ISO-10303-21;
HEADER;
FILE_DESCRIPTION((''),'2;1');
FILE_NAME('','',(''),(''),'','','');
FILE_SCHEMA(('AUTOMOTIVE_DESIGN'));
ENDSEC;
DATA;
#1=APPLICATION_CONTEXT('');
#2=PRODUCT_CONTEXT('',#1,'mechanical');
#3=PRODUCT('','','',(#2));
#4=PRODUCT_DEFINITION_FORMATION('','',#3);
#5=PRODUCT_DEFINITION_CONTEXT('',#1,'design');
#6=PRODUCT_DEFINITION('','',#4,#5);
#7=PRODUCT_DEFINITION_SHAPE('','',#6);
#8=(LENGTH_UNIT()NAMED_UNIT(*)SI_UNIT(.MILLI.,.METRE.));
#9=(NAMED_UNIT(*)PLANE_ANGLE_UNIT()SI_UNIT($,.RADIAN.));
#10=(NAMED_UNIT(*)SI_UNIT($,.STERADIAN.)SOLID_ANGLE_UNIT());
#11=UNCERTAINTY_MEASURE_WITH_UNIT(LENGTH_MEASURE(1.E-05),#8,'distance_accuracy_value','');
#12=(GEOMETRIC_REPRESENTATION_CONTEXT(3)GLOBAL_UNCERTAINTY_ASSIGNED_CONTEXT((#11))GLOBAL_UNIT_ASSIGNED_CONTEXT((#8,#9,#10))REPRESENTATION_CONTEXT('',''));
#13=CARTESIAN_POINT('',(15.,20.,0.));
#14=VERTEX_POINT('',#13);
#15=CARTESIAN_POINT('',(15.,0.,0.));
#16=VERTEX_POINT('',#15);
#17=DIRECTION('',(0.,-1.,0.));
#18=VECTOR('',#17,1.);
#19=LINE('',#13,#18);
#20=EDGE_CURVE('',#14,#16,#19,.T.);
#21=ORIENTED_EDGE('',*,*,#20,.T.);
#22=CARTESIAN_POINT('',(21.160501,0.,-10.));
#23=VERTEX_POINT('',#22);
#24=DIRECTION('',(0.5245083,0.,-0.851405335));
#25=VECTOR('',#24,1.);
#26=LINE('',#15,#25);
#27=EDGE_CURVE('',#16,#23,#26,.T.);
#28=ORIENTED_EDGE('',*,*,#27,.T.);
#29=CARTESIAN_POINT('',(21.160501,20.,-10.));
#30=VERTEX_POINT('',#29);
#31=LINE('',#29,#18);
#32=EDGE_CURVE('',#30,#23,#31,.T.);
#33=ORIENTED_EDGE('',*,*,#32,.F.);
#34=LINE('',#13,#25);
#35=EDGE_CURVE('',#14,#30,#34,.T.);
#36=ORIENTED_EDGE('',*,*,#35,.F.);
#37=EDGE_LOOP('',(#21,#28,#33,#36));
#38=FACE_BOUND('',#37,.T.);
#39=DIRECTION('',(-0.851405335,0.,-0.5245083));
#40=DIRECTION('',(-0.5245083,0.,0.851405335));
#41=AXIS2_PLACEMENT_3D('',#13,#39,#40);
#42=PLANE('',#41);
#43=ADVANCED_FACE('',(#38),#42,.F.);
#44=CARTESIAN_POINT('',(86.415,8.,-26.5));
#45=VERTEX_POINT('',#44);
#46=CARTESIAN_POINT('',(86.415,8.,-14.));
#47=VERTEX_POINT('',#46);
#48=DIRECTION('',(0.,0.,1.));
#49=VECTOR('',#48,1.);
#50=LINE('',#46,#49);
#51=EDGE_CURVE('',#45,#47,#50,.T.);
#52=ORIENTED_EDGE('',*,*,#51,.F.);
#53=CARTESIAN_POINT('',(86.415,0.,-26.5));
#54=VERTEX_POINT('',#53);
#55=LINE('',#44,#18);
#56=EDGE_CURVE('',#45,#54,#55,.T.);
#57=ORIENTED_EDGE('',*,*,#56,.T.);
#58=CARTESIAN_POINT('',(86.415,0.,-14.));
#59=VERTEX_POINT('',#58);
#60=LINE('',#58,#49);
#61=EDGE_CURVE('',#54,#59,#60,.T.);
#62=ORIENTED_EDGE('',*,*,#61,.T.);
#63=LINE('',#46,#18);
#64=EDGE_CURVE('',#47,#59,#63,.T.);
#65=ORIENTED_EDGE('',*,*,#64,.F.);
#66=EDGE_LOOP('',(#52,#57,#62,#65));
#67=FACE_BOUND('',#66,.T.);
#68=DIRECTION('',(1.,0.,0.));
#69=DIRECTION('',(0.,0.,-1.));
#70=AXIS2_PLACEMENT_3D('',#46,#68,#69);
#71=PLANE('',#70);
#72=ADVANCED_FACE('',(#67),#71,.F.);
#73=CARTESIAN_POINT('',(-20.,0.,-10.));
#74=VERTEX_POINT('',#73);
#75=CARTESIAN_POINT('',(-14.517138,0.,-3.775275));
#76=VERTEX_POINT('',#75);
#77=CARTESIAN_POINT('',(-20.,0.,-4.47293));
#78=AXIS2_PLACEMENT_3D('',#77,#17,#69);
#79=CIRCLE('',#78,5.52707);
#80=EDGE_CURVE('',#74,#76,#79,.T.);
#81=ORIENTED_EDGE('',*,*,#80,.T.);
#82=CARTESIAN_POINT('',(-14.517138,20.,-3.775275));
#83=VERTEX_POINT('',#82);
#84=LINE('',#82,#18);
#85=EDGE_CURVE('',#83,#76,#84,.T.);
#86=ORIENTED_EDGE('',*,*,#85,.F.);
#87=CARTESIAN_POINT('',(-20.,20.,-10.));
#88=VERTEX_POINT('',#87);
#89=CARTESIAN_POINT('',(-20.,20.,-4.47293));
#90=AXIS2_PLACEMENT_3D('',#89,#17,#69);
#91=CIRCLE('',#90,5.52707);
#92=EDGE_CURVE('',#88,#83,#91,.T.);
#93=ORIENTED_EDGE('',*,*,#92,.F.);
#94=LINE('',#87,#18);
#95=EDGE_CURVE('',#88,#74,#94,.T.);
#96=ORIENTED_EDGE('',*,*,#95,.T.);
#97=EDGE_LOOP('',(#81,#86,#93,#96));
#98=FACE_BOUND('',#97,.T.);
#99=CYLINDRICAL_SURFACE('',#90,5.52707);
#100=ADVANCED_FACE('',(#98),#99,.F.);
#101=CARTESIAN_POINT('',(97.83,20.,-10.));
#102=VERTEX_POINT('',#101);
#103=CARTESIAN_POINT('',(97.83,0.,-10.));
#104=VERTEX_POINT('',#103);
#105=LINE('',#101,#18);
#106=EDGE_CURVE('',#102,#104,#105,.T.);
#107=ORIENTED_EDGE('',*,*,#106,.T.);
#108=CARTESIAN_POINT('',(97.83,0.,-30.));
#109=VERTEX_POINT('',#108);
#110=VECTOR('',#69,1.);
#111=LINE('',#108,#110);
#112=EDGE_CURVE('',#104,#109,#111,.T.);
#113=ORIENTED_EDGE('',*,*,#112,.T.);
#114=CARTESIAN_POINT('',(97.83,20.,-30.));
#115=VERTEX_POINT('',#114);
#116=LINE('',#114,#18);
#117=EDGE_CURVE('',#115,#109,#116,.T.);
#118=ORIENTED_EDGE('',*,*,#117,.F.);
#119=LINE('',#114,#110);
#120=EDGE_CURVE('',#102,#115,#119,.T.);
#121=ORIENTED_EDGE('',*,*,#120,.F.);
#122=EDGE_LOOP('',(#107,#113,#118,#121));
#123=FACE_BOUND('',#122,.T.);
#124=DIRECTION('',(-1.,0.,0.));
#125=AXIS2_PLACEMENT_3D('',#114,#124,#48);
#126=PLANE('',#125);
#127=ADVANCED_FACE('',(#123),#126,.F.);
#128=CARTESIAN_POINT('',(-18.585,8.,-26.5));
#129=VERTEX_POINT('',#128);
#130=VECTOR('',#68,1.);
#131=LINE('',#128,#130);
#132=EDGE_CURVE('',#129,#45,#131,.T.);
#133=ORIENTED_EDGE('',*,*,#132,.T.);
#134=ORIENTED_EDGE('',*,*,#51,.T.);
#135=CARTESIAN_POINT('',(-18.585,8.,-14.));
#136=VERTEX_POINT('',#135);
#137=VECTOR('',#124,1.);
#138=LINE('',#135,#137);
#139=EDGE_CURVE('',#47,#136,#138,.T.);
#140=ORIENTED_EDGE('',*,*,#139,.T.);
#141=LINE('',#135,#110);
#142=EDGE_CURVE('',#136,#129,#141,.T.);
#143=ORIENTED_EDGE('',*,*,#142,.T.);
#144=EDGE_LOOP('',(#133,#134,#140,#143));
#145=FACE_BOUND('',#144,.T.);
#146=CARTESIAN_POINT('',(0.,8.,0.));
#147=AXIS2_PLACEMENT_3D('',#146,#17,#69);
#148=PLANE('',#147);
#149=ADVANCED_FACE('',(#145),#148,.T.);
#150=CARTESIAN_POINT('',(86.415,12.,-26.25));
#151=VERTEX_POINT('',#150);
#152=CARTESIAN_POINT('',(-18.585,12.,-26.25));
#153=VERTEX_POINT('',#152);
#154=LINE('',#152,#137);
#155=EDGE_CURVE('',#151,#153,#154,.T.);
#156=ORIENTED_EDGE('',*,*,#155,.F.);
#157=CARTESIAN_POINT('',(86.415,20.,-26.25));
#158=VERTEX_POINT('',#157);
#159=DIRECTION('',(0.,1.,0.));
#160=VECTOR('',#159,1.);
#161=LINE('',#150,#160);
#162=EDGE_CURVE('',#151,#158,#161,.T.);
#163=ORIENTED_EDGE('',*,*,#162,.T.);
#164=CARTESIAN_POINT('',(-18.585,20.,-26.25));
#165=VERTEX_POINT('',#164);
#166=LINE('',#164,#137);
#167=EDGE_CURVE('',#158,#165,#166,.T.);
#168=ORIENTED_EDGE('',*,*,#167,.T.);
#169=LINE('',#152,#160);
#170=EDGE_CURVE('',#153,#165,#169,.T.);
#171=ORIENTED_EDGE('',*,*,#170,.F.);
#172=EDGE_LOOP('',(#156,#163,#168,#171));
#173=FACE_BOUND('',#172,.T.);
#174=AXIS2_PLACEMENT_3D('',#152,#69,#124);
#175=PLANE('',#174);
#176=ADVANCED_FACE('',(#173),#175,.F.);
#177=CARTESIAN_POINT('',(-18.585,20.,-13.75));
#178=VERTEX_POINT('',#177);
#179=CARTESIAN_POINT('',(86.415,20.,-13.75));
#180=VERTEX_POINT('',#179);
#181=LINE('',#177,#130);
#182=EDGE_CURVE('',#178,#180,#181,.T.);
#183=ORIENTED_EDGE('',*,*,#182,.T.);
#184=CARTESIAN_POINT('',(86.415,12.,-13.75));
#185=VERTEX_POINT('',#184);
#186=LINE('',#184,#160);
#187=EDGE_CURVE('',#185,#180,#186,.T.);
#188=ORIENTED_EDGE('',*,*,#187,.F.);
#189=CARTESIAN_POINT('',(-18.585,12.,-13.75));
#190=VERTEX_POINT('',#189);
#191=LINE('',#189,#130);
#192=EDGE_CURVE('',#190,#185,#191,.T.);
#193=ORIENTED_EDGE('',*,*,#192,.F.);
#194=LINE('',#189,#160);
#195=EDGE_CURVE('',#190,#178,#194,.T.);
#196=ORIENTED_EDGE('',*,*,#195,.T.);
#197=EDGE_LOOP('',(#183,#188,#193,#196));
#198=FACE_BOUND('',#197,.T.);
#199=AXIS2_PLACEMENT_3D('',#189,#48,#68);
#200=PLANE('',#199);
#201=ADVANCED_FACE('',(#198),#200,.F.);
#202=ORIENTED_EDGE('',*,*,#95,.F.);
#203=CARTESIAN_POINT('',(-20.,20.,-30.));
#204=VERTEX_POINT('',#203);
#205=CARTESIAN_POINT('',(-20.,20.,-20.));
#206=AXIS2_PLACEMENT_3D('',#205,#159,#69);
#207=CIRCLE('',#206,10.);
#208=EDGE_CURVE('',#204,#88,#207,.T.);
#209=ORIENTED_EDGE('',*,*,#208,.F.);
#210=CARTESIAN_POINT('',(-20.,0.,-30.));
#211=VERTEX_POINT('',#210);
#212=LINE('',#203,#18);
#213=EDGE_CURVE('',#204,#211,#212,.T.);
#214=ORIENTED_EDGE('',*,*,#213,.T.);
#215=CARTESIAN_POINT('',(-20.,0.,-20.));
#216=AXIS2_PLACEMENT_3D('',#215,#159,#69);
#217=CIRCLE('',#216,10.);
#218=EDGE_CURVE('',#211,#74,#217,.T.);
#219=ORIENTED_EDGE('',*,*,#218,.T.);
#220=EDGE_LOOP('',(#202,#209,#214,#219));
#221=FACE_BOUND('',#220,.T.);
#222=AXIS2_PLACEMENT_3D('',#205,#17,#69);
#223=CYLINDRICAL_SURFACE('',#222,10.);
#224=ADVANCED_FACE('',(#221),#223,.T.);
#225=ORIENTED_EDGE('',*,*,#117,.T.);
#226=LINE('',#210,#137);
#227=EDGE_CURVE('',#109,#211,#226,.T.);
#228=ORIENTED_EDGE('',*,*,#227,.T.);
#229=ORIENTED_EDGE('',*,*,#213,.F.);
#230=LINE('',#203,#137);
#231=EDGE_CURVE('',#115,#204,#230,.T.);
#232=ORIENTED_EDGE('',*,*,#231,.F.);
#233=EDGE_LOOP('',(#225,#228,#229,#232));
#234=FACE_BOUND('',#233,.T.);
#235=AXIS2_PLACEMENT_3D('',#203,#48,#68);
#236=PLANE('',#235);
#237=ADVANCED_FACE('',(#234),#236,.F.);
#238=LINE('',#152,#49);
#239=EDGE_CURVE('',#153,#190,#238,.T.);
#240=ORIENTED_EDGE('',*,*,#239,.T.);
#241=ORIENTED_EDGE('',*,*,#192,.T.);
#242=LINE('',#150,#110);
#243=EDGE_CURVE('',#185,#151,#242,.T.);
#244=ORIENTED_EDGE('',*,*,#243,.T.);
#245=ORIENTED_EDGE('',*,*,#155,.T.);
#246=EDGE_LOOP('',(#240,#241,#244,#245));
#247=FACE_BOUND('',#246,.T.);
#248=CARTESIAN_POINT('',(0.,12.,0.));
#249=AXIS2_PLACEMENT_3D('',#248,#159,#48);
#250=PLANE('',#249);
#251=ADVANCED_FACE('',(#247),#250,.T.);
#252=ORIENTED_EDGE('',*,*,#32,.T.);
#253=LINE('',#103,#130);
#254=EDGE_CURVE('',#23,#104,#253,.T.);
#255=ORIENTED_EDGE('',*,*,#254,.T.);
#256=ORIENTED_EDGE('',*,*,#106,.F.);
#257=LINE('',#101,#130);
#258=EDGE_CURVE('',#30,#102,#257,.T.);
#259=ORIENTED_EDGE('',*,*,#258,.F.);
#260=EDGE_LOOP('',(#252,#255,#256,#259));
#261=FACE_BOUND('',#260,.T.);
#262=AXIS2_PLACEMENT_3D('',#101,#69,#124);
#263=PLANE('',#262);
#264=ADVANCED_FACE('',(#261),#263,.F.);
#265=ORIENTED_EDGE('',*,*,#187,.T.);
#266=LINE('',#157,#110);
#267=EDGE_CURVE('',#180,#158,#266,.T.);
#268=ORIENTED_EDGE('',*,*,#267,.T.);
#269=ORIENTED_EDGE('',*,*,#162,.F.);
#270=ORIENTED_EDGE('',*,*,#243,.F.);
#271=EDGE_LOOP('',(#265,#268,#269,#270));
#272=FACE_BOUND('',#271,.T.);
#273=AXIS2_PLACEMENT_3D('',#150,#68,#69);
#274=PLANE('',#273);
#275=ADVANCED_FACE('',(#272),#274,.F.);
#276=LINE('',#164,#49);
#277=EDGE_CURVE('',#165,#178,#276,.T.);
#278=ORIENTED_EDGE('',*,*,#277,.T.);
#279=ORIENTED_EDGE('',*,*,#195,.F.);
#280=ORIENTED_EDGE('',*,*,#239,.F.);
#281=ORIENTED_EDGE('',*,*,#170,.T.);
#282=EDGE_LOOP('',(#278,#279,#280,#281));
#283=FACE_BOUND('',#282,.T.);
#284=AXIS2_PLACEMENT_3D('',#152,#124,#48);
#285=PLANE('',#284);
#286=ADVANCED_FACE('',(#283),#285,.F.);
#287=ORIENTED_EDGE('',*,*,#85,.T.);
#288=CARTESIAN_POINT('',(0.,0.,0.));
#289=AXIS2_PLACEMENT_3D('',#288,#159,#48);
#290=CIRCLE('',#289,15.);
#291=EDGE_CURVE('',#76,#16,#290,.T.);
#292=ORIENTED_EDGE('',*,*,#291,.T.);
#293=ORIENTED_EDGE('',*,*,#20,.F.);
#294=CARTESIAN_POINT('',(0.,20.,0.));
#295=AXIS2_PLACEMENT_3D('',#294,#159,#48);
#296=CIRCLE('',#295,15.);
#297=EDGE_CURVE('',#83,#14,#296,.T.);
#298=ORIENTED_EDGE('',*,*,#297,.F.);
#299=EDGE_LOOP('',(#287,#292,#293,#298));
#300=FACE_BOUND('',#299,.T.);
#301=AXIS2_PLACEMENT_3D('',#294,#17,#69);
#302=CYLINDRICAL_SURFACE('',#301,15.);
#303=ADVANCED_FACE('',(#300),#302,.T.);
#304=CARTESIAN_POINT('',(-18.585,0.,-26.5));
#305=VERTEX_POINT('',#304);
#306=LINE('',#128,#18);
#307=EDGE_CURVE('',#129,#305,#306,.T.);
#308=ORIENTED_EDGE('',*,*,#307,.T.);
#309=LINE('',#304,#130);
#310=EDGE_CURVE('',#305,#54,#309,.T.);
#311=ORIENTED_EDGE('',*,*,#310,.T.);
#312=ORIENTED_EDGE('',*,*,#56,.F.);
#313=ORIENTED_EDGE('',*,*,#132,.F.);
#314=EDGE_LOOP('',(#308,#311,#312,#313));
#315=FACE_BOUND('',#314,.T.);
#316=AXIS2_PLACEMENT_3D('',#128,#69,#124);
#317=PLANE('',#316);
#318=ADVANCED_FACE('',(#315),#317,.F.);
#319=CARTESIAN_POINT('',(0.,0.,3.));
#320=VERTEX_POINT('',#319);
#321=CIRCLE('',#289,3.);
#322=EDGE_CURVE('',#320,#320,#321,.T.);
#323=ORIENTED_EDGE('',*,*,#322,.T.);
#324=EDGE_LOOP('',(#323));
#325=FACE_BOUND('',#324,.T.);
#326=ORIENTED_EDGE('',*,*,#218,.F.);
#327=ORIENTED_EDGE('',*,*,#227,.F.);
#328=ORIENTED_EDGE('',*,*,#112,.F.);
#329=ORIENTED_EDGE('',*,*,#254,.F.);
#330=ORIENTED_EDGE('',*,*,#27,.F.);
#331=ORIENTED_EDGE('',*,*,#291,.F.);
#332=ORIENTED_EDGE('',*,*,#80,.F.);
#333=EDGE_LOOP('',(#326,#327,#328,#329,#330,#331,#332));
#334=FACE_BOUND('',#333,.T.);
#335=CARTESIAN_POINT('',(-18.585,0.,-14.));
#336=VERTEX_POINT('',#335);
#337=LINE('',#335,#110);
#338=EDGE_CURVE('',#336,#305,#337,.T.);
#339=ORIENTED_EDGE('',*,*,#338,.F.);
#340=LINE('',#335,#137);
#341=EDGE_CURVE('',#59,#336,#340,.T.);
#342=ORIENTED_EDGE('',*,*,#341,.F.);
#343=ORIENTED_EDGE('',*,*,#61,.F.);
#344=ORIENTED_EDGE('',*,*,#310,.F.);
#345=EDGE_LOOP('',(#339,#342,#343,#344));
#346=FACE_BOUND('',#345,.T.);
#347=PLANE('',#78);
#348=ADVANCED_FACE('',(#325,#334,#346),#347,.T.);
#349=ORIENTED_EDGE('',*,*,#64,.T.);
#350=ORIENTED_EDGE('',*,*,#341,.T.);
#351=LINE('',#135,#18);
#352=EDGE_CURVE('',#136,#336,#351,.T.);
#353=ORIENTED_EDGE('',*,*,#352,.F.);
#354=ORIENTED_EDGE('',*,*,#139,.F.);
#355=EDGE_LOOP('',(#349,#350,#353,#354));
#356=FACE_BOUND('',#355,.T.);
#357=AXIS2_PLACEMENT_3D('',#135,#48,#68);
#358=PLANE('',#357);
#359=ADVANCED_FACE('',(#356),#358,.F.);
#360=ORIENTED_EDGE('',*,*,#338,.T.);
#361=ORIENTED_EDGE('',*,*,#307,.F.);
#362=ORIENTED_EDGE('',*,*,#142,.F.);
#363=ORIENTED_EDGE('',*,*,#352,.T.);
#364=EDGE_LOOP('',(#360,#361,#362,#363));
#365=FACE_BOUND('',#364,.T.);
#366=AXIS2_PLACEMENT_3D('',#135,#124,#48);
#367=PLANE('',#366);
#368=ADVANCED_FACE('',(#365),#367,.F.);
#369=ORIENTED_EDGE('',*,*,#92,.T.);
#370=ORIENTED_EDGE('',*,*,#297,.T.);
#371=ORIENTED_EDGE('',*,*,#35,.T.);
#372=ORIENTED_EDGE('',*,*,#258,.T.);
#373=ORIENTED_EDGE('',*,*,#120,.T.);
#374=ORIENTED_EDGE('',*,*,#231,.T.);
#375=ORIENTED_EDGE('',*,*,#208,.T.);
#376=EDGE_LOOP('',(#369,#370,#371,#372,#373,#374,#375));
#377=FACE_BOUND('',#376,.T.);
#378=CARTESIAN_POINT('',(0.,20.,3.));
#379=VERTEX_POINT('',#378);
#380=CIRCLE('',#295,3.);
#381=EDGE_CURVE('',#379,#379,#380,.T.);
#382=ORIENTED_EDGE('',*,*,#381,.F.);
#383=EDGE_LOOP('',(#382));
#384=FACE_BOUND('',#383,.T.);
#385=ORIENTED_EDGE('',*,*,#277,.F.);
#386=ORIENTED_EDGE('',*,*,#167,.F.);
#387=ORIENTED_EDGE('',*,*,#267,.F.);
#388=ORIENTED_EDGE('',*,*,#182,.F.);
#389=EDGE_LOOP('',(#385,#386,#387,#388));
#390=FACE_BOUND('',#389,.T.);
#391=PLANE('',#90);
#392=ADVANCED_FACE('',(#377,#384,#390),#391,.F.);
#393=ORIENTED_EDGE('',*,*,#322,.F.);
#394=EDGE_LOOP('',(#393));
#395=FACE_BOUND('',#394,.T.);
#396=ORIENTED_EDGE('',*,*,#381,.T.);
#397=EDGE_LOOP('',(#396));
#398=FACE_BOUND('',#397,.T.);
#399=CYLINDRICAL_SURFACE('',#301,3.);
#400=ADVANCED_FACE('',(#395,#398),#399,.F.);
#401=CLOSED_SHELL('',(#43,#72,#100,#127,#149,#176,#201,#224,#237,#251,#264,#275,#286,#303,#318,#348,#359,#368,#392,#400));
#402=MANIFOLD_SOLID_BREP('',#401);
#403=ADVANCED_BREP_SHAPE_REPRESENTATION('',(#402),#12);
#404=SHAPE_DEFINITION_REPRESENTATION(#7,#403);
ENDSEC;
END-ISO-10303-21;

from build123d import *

# Parameters (mm, degrees)
SKETCH1_R           = 3
BOSS_EXTRUDE1_DEPTH = 20
SKETCH8_W           = 105
SKETCH8_H           = 12.5
CUT_EXTRUDE7_DEPTH  = 8
SKETCH9_W           = 105
SKETCH9_H           = 12.5
CUT_EXTRUDE8_DEPTH  = 8


with BuildPart() as part:
    # Sketch1 → Boss-Extrude1 (new body)
    with BuildSketch(Plane(origin=(0, 0, 0), x_dir=(1, 0, 0), z_dir=(0, 1, 0))):
        with BuildLine():
            Line((-20, 30), (97.83, 30))
            Line((97.83, 30), (97.83, 10))
            Line((97.83, 10), (21.160500507, 10))
            Line((21.160500507, 10), (15, 0))
            ThreePointArc((15, 0), (-1.903014387, -14.878794852), (-14.517138166, 3.775274755))
            ThreePointArc((-14.517138166, 3.775274755), (-15.852441132, 8.126182851), (-20, 10))
            ThreePointArc((-20, 10), (-30, 20), (-20, 30))
        make_face()
        Circle(SKETCH1_R, mode=Mode.SUBTRACT)
    extrude(amount=BOSS_EXTRUDE1_DEPTH)

    # Sketch8 → Cut-Extrude7 (cut)
    with BuildSketch(Plane.XZ):
        with Locations((33.915, -20.25)):
            Rectangle(SKETCH8_W, SKETCH8_H)
    extrude(amount=-CUT_EXTRUDE7_DEPTH, mode=Mode.SUBTRACT)

    # Sketch9 → Cut-Extrude8 (cut)
    with BuildSketch(Plane(origin=(0, 20, 0), x_dir=(1, 0, 0), z_dir=(0, 1, 0))):
        with Locations((33.915, 20)):
            Rectangle(SKETCH9_W, SKETCH9_H)
    extrude(amount=-CUT_EXTRUDE8_DEPTH, mode=Mode.SUBTRACT)


solid = part.part
